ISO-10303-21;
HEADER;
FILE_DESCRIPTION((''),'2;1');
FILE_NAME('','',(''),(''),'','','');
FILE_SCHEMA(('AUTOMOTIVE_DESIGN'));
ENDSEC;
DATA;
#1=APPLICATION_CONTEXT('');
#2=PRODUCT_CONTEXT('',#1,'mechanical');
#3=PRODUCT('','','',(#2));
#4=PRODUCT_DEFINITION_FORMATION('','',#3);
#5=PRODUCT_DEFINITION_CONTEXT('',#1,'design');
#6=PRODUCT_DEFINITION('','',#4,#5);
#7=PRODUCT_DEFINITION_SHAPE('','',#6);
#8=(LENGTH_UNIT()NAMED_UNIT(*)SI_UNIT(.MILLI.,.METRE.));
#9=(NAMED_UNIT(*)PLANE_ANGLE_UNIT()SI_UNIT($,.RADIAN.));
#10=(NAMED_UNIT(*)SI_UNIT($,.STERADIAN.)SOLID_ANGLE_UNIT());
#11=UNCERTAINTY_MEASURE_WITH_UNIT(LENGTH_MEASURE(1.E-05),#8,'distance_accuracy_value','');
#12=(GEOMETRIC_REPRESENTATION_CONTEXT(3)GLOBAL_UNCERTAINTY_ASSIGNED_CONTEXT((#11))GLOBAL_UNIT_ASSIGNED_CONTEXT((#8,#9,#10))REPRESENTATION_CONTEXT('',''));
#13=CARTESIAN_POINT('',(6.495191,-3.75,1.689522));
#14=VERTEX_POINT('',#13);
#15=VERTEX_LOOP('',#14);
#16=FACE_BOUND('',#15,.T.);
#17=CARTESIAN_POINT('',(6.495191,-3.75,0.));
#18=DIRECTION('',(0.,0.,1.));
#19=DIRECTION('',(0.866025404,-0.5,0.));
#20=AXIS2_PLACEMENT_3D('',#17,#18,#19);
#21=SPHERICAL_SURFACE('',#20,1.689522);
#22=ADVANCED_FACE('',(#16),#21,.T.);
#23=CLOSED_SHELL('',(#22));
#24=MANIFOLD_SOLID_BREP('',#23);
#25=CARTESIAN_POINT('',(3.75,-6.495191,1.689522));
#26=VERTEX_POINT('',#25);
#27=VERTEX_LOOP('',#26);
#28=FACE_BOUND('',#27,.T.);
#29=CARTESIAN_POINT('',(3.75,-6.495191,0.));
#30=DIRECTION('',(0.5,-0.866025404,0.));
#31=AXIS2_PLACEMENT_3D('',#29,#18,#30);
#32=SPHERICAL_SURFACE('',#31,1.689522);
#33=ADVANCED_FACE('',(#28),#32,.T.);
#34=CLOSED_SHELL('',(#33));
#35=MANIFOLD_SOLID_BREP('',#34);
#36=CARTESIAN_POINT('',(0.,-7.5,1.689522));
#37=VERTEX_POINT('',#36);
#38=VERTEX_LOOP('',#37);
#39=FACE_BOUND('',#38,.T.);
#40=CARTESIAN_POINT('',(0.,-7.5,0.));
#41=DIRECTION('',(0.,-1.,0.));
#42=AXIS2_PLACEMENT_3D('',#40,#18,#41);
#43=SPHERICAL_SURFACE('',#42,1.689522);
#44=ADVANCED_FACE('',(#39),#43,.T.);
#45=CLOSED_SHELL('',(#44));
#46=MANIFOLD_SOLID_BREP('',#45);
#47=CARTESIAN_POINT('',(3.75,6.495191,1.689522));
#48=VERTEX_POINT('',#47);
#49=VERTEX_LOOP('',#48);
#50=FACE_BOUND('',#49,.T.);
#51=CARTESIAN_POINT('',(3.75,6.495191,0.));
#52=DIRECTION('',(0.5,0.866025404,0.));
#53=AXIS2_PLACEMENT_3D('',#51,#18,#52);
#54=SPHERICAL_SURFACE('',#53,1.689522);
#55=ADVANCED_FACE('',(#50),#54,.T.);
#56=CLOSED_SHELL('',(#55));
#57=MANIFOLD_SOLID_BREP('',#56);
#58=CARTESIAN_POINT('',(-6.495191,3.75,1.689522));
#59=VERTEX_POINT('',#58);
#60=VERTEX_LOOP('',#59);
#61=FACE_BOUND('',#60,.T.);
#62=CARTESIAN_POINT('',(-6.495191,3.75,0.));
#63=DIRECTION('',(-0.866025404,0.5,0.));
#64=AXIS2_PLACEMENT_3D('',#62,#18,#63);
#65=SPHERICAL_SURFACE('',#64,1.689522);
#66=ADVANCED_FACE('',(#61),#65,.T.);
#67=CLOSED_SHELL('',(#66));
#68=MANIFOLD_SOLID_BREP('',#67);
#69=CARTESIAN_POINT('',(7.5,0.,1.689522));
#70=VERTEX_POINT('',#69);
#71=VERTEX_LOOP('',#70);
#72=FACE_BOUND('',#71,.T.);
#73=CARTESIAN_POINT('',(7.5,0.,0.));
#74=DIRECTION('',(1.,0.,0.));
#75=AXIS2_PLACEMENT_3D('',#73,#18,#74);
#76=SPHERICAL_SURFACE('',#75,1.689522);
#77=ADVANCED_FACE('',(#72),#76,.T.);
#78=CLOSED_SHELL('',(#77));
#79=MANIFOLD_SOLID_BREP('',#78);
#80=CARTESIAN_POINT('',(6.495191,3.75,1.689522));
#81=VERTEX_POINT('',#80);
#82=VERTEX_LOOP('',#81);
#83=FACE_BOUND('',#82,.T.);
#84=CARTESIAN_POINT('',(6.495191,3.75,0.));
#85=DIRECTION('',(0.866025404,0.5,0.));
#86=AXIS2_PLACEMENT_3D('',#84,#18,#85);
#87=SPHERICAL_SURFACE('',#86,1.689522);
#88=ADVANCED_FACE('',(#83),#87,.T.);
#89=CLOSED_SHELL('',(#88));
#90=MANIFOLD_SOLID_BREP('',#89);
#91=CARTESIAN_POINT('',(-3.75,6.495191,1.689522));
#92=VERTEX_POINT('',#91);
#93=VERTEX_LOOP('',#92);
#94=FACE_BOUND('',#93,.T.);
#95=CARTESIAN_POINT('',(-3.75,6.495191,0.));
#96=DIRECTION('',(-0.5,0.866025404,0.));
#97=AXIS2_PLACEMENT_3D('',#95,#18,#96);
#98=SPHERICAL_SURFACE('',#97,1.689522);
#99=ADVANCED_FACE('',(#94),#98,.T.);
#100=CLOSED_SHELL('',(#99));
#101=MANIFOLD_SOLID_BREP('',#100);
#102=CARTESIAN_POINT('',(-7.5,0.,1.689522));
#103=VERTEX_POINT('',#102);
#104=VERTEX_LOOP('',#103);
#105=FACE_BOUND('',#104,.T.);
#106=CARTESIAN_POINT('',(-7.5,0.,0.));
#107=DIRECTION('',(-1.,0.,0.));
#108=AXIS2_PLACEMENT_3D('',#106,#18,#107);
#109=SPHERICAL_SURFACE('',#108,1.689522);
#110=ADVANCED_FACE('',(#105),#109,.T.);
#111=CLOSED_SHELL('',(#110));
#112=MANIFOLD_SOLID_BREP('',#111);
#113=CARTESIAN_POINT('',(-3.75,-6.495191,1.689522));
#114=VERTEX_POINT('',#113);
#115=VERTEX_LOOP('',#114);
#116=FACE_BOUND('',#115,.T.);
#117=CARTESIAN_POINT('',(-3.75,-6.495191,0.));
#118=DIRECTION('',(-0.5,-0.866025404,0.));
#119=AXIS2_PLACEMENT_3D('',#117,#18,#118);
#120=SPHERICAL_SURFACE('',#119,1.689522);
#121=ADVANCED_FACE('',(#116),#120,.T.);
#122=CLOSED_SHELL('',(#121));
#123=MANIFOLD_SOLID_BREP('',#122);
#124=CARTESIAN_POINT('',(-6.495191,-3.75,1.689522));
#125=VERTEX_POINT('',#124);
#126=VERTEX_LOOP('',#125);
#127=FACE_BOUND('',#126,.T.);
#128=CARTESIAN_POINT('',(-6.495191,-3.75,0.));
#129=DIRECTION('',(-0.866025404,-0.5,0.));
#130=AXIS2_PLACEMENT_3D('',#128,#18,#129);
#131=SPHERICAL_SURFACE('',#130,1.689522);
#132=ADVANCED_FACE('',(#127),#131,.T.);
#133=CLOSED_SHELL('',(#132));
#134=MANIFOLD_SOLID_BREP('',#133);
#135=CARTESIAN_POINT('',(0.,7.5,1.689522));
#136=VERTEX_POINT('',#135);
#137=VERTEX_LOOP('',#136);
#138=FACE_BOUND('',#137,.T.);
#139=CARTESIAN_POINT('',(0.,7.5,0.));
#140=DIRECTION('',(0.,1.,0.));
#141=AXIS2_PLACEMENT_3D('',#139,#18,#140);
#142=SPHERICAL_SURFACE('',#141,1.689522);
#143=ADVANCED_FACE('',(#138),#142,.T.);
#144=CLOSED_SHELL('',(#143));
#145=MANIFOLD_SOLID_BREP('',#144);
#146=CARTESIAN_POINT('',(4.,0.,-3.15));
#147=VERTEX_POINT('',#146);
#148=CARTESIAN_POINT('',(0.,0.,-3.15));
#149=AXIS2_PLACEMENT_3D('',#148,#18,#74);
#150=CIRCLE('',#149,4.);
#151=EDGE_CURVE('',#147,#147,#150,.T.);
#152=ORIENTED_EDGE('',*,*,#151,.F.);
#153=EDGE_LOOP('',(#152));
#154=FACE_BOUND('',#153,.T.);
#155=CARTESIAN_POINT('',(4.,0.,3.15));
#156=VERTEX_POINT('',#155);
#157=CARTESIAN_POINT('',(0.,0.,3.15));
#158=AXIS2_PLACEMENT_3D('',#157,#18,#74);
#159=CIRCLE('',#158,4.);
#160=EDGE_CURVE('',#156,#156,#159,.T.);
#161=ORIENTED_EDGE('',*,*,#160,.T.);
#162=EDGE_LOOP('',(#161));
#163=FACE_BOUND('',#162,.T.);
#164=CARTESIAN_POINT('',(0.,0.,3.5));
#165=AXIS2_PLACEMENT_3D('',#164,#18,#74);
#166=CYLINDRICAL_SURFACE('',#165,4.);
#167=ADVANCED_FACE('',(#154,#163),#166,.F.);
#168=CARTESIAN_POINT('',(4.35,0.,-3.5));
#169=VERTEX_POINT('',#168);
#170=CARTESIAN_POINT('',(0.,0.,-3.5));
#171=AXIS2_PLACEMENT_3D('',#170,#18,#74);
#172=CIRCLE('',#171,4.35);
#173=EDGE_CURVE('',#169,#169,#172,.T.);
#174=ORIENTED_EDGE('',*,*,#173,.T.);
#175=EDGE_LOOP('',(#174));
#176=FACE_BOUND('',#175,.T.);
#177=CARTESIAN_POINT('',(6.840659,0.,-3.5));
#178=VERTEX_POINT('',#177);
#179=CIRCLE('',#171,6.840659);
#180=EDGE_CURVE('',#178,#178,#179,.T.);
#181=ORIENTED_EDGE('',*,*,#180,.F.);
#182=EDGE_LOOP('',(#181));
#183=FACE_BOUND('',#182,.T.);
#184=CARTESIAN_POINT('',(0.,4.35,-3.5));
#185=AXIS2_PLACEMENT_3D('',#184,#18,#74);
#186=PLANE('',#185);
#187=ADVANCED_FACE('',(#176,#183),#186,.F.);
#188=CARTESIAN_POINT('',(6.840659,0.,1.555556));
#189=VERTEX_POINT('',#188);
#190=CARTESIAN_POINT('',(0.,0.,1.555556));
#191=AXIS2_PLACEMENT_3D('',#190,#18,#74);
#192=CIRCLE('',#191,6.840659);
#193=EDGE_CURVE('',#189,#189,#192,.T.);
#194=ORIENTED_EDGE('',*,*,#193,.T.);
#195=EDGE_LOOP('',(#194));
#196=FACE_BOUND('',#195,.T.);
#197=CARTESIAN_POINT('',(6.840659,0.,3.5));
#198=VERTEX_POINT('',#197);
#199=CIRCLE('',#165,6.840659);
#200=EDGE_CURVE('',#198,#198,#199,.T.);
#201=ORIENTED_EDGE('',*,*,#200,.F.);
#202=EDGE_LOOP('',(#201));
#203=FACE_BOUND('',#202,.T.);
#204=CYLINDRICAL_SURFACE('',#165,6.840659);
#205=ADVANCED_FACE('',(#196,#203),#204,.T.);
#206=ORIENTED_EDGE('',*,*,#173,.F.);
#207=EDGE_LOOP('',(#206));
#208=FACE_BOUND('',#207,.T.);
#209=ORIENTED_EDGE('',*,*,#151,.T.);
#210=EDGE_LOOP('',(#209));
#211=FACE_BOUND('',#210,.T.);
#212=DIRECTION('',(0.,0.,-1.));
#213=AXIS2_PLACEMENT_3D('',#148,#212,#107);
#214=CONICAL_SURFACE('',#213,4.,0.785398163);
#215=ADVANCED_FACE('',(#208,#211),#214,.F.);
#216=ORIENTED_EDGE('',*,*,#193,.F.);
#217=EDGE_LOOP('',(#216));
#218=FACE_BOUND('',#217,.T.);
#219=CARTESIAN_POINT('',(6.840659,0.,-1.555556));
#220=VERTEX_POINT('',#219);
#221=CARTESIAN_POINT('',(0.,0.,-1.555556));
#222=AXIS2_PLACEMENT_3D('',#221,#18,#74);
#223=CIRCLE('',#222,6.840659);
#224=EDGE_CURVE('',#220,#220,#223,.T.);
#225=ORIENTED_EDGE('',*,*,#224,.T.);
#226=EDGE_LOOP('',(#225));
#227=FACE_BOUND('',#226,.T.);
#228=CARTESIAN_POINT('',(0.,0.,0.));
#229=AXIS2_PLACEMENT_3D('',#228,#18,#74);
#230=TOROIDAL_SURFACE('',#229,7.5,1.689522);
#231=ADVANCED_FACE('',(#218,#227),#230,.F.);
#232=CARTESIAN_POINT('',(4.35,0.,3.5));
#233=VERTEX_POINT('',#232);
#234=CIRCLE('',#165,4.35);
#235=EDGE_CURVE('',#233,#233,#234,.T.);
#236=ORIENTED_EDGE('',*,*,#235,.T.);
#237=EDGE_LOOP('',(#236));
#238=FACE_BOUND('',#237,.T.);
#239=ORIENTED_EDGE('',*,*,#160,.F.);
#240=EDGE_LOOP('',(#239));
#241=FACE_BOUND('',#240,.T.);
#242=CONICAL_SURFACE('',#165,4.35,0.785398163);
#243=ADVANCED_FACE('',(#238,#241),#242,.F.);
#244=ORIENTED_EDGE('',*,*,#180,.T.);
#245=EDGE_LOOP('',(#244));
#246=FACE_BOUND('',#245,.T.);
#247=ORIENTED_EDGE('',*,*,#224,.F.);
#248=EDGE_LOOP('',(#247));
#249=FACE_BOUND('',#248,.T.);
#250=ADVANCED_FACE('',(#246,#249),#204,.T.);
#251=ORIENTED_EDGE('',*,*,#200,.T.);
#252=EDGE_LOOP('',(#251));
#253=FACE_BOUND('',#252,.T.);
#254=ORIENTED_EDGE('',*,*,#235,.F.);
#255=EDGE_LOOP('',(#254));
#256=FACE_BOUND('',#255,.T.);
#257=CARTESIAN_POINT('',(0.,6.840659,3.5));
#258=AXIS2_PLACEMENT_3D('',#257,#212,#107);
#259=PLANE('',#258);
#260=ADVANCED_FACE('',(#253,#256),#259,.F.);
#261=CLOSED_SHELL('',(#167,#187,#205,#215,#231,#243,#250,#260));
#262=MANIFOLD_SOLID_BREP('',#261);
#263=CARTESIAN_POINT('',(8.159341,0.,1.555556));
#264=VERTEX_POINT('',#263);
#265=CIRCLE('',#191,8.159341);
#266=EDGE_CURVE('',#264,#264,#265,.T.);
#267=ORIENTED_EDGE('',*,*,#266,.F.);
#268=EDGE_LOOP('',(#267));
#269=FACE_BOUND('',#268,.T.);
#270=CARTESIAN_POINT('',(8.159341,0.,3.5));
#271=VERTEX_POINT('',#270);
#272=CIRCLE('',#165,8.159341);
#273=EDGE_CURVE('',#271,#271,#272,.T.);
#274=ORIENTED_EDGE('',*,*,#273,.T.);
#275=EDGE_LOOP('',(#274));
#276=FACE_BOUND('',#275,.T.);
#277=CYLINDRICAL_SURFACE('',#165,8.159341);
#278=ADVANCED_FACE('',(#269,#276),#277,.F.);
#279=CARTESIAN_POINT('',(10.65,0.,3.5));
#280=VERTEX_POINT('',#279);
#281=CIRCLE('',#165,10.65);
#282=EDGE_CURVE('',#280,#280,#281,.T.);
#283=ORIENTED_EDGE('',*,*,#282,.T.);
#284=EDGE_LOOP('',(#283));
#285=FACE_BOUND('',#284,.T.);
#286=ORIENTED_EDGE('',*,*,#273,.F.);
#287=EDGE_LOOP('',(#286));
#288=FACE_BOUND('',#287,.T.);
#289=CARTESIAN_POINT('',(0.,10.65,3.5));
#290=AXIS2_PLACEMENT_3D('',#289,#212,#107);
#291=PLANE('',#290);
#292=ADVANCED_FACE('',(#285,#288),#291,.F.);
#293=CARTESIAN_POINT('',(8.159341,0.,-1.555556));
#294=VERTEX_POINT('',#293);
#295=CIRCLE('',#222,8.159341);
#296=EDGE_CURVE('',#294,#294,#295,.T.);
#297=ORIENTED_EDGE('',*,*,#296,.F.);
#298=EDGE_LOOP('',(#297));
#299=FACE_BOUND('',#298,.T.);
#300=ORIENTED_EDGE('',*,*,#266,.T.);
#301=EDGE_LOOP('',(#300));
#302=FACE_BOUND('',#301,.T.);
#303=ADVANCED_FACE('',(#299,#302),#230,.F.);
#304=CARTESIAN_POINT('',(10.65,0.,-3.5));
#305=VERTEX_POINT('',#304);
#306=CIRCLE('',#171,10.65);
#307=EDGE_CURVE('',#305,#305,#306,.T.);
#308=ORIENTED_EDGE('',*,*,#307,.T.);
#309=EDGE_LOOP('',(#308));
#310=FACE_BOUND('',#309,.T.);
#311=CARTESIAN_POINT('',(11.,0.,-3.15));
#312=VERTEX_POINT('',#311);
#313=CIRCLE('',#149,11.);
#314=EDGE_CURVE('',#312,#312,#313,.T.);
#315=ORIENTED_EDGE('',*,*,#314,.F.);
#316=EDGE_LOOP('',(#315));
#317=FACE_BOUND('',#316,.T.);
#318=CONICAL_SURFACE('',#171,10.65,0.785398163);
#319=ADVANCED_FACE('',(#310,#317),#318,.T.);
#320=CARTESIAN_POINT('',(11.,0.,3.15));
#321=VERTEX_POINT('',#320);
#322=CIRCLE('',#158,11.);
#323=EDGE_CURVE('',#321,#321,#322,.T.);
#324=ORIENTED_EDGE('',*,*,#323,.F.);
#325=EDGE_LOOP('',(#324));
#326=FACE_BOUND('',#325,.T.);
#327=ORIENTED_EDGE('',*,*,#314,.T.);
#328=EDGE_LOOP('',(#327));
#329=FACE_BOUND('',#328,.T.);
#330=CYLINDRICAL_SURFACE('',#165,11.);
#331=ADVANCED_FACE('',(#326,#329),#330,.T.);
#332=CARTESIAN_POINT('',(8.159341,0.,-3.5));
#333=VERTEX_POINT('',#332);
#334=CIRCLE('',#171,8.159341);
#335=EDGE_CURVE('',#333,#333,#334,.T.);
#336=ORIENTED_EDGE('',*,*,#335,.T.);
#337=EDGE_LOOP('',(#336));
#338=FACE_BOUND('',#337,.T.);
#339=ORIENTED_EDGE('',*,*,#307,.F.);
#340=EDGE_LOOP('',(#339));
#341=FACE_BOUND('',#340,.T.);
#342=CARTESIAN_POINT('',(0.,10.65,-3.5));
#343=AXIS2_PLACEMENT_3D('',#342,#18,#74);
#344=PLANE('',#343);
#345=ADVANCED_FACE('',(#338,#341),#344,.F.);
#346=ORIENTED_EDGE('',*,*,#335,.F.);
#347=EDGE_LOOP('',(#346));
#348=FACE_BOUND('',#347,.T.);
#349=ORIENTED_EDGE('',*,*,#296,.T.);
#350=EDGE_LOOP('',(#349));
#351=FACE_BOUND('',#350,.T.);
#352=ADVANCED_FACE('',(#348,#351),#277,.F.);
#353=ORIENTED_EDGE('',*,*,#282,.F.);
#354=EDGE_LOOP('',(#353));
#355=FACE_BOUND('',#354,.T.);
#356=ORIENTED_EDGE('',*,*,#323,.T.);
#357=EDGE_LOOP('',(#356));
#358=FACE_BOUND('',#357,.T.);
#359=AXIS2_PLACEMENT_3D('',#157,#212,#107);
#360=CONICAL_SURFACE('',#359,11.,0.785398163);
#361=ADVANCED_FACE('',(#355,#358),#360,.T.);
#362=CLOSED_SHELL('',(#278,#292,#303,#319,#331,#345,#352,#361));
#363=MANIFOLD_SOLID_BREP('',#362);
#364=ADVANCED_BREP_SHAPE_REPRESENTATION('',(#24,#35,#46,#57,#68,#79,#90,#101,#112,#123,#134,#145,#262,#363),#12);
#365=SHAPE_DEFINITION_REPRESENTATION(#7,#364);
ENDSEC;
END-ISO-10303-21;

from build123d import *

# Parameters (mm, degrees)
CIRPATTERN1_COUNT = 12


with BuildPart() as part:
    # Sketch1 → Revolve1 (revolve)
    with BuildSketch(Plane(origin=(0, 0, 0), x_dir=(0, 0, -1), z_dir=(1, 0, 0))):
        with BuildLine():
            Line((3.15, 11), (-3.15, 11))
            Line((-3.15, 11), (-3.5, 10.65))
            Line((-3.5, 10.65), (-3.5, 8.159340659))
            Line((-3.5, 8.159340659), (-1.555555556, 8.159340659))
            ThreePointArc((-1.555555556, 8.159340659), (0, 9.189521587), (1.555555556, 8.159340659))
            Line((1.555555556, 8.159340659), (3.5, 8.159340659))
            Line((3.5, 8.159340659), (3.5, 10.65))
            Line((3.5, 10.65), (3.15, 11))
        make_face()
    revolve(axis=Axis((0, 0, 3.5), (0, 0, -1)))


with BuildPart() as body_2:
    # Sketch3 → Revolve3 (revolve)
    with BuildSketch(Plane(origin=(0, 0, 0), x_dir=(0, 0, -1), z_dir=(1, 0, 0))):
        with BuildLine():
            Line((-3.5, 6.840659341), (-1.555555556, 6.840659341))
            ThreePointArc((-1.555555556, 6.840659341), (0, 5.810478413), (1.555555556, 6.840659341))
            Line((1.555555556, 6.840659341), (3.5, 6.840659341))
            Line((3.5, 6.840659341), (3.5, 4.35))
            Line((3.5, 4.35), (3.15, 4))
            Line((3.15, 4), (-3.15, 4))
            Line((-3.15, 4), (-3.5, 4.35))
            Line((-3.5, 4.35), (-3.5, 6.840659341))
        make_face()
    revolve(axis=Axis((0, 0, 3.5), (0, 0, -1)))


with BuildPart() as body_3:
    # Sketch4 → Revolve4 (revolve)
    with BuildSketch(Plane(origin=(0, 0, 0), x_dir=(0, 0, -1), z_dir=(1, 0, 0))):
        with BuildLine():
            Line((-1.689521587, 7.5), (1.689521587, 7.5))
            ThreePointArc((1.689521587, 7.5), (0, 9.189521587), (-1.689521587, 7.5))
        make_face()
    revolve(axis=Axis((0, 7.5, 1.689521587), (0, 0, -1)))


with BuildPart() as cirpattern1_1:
    # CirPattern1: pattern copy
    add(body_3.part.rotate(Axis((0, 0, -3.5), (0, 0, 1)), 1 * 360 / CIRPATTERN1_COUNT))


with BuildPart() as cirpattern1_2:
    # CirPattern1: pattern copy
    add(body_3.part.rotate(Axis((0, 0, -3.5), (0, 0, 1)), 2 * 360 / CIRPATTERN1_COUNT))


with BuildPart() as cirpattern1_3:
    # CirPattern1: pattern copy
    add(body_3.part.rotate(Axis((0, 0, -3.5), (0, 0, 1)), 3 * 360 / CIRPATTERN1_COUNT))


with BuildPart() as cirpattern1_4:
    # CirPattern1: pattern copy
    add(body_3.part.rotate(Axis((0, 0, -3.5), (0, 0, 1)), 4 * 360 / CIRPATTERN1_COUNT))


with BuildPart() as cirpattern1_5:
    # CirPattern1: pattern copy
    add(body_3.part.rotate(Axis((0, 0, -3.5), (0, 0, 1)), 5 * 360 / CIRPATTERN1_COUNT))


with BuildPart() as cirpattern1_6:
    # CirPattern1: pattern copy
    add(body_3.part.rotate(Axis((0, 0, -3.5), (0, 0, 1)), 6 * 360 / CIRPATTERN1_COUNT))


with BuildPart() as cirpattern1_7:
    # CirPattern1: pattern copy
    add(body_3.part.rotate(Axis((0, 0, -3.5), (0, 0, 1)), 7 * 360 / CIRPATTERN1_COUNT))


with BuildPart() as cirpattern1_8:
    # CirPattern1: pattern copy
    add(body_3.part.rotate(Axis((0, 0, -3.5), (0, 0, 1)), 8 * 360 / CIRPATTERN1_COUNT))


with BuildPart() as cirpattern1_9:
    # CirPattern1: pattern copy
    add(body_3.part.rotate(Axis((0, 0, -3.5), (0, 0, 1)), 9 * 360 / CIRPATTERN1_COUNT))


with BuildPart() as cirpattern1_10:
    # CirPattern1: pattern copy
    add(body_3.part.rotate(Axis((0, 0, -3.5), (0, 0, 1)), 10 * 360 / CIRPATTERN1_COUNT))


with BuildPart() as cirpattern1_11:
    # CirPattern1: pattern copy
    add(body_3.part.rotate(Axis((0, 0, -3.5), (0, 0, 1)), 11 * 360 / CIRPATTERN1_COUNT))


solid = Compound([part.part, body_2.part, body_3.part, cirpattern1_1.part, cirpattern1_2.part, cirpattern1_3.part, cirpattern1_4.part, cirpattern1_5.part, cirpattern1_6.part, cirpattern1_7.part, cirpattern1_8.part, cirpattern1_9.part, cirpattern1_10.part, cirpattern1_11.part])
